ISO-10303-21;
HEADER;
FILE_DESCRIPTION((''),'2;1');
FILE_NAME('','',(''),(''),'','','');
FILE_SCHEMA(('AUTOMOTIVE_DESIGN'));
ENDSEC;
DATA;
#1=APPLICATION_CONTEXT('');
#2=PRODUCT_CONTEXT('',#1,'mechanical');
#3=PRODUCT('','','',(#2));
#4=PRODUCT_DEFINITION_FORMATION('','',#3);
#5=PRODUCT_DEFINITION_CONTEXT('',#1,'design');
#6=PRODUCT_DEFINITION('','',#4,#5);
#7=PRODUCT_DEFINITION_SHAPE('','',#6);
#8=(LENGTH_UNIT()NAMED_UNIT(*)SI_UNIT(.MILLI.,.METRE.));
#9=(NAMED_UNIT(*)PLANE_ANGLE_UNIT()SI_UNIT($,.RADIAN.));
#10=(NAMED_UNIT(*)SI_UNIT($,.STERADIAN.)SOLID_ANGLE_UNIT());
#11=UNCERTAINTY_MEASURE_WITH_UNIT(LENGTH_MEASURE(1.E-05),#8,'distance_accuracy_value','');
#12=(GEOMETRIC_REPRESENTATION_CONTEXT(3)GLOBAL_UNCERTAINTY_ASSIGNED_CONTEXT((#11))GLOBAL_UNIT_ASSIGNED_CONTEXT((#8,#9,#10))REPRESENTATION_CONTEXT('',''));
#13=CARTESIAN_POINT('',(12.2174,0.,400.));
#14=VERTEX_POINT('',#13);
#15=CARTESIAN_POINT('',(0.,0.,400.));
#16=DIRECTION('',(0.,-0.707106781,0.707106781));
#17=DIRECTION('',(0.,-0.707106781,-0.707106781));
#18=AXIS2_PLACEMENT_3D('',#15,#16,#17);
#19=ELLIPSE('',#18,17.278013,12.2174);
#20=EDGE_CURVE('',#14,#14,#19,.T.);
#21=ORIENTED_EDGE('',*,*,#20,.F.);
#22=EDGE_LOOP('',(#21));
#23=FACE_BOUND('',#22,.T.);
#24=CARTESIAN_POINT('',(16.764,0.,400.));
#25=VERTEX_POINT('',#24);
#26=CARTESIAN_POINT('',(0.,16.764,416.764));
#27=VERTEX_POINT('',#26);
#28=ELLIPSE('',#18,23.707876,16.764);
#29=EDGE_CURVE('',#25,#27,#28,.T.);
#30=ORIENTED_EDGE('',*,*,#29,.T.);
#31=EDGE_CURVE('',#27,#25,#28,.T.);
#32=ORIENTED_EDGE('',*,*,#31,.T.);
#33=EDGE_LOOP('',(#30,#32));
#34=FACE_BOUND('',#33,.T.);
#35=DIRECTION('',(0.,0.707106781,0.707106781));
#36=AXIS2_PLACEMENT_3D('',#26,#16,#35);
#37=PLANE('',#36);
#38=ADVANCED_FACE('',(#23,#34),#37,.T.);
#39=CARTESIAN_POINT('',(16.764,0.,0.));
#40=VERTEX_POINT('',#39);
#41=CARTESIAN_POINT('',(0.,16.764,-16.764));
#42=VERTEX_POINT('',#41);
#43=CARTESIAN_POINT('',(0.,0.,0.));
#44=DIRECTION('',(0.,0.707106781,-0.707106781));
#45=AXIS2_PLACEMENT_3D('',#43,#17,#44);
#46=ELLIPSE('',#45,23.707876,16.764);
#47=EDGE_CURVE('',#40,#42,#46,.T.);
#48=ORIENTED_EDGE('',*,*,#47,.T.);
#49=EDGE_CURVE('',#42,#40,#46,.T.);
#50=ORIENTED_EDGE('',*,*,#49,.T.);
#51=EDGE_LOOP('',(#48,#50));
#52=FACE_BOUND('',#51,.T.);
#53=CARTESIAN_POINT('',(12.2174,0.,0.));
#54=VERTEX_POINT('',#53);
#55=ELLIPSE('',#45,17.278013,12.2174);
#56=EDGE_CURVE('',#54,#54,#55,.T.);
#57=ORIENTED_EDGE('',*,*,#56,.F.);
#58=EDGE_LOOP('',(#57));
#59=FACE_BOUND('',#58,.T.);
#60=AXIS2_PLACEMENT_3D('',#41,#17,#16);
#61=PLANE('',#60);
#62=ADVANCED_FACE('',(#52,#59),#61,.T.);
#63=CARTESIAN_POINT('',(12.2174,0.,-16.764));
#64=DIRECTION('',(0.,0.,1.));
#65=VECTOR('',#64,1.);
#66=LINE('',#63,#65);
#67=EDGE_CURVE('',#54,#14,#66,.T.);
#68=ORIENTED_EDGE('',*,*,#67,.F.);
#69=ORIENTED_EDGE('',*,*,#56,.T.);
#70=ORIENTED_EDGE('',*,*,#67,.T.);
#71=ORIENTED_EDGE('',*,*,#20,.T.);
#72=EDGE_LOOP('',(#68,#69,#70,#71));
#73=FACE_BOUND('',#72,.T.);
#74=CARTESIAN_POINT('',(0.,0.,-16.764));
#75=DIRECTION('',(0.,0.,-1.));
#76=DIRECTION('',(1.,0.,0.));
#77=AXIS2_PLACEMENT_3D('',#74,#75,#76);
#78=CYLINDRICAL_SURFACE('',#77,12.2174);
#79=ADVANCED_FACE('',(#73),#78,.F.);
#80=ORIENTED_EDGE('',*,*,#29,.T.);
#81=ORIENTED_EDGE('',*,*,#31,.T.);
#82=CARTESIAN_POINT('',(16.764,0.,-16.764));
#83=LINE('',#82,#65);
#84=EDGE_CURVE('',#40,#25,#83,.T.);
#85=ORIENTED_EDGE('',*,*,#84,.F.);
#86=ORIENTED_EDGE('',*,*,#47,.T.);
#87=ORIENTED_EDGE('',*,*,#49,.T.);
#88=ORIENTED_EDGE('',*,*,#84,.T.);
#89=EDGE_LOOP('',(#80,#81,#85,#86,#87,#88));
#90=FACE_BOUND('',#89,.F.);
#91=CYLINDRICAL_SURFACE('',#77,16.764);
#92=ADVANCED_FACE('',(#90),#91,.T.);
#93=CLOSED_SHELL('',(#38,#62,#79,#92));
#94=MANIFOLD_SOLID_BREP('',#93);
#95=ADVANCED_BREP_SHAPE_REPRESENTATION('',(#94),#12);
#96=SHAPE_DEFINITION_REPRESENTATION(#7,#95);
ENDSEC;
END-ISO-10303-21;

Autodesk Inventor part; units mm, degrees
ref_plane "Start Plane" through (0, 0, -16.764) normal (0, 0, 1) x (1, 0, 0)
ref_plane "End Plane" through (0, 0, 416.764) normal (0, 0, 1) x (1, 0, 0)
sketch "Sketch" plane through (0, 0, 0) normal (0, 0, 1) x (1, 0, 0)
  circle A0 centre (0, 0) radius 12.2174
  circle A1 centre (0, 0) radius 16.764
  dimension "d0" = 33.528
  dimension "d1" = 4.5466
extrude "Body" add sketch "Sketch" along normal up to surface (433.528 mm away) from surface at -16.764
sketch "Sketch3" plane through (0, 0, 0) normal (0, 0, 1) x (1, 0, 0)
  line L0 (0, 0) -> (10, 0)
ref_plane "Work Plane3" through (0, 0, 0) normal (0, -1, 0) x (1, 0, 0)
ref_plane "Work Plane4" through (0, 16.764, 416.764) normal (0, -0.7071, 0.7071) x (1, 0, 0)
split "Split1" plane through (0, 16.764, 416.764) removes the side toward (0, -0.7071, 0.7071)
ref_plane "Work Plane5" through (0, 16.764, -16.764) normal (0, -0.7071, -0.7071) x (1, 0, 0)
split "Split2" plane through (0, 16.764, -16.764) removes the side toward (0, -0.7071, -0.7071)
sketch "Sketch4" plane through (0, 0, 0) normal (0, -1, 0) x (1, 0, 0)
  line L0 (-2, -16.764) -> (12, -16.764) projected
  line L1 (-2, 416.764) -> (12, 416.764) projected
  dimension "d7" = 433.528
equation "\"d0\" = G_H"
equation "\"d1\" = G_T"
equation "\"d2\" = G_L"
equation "\"G_H\" = 33.528"
equation "\"G_T\" = 4.5466"
equation "\"G_L\" = d7"
equation "\"G_OFFSET_START\" = 16.764"
equation "\"G_OFFSET_END\" = 16.764"
equation "\"d4\" = -G_OFFSET_START"
equation "\"d5\" = G_OFFSET_END + B_L"
equation "\"B_L\" = 400"
properties part number "ANSI - 1 x 0.179 - 17.068" material "Steel, Mild"
